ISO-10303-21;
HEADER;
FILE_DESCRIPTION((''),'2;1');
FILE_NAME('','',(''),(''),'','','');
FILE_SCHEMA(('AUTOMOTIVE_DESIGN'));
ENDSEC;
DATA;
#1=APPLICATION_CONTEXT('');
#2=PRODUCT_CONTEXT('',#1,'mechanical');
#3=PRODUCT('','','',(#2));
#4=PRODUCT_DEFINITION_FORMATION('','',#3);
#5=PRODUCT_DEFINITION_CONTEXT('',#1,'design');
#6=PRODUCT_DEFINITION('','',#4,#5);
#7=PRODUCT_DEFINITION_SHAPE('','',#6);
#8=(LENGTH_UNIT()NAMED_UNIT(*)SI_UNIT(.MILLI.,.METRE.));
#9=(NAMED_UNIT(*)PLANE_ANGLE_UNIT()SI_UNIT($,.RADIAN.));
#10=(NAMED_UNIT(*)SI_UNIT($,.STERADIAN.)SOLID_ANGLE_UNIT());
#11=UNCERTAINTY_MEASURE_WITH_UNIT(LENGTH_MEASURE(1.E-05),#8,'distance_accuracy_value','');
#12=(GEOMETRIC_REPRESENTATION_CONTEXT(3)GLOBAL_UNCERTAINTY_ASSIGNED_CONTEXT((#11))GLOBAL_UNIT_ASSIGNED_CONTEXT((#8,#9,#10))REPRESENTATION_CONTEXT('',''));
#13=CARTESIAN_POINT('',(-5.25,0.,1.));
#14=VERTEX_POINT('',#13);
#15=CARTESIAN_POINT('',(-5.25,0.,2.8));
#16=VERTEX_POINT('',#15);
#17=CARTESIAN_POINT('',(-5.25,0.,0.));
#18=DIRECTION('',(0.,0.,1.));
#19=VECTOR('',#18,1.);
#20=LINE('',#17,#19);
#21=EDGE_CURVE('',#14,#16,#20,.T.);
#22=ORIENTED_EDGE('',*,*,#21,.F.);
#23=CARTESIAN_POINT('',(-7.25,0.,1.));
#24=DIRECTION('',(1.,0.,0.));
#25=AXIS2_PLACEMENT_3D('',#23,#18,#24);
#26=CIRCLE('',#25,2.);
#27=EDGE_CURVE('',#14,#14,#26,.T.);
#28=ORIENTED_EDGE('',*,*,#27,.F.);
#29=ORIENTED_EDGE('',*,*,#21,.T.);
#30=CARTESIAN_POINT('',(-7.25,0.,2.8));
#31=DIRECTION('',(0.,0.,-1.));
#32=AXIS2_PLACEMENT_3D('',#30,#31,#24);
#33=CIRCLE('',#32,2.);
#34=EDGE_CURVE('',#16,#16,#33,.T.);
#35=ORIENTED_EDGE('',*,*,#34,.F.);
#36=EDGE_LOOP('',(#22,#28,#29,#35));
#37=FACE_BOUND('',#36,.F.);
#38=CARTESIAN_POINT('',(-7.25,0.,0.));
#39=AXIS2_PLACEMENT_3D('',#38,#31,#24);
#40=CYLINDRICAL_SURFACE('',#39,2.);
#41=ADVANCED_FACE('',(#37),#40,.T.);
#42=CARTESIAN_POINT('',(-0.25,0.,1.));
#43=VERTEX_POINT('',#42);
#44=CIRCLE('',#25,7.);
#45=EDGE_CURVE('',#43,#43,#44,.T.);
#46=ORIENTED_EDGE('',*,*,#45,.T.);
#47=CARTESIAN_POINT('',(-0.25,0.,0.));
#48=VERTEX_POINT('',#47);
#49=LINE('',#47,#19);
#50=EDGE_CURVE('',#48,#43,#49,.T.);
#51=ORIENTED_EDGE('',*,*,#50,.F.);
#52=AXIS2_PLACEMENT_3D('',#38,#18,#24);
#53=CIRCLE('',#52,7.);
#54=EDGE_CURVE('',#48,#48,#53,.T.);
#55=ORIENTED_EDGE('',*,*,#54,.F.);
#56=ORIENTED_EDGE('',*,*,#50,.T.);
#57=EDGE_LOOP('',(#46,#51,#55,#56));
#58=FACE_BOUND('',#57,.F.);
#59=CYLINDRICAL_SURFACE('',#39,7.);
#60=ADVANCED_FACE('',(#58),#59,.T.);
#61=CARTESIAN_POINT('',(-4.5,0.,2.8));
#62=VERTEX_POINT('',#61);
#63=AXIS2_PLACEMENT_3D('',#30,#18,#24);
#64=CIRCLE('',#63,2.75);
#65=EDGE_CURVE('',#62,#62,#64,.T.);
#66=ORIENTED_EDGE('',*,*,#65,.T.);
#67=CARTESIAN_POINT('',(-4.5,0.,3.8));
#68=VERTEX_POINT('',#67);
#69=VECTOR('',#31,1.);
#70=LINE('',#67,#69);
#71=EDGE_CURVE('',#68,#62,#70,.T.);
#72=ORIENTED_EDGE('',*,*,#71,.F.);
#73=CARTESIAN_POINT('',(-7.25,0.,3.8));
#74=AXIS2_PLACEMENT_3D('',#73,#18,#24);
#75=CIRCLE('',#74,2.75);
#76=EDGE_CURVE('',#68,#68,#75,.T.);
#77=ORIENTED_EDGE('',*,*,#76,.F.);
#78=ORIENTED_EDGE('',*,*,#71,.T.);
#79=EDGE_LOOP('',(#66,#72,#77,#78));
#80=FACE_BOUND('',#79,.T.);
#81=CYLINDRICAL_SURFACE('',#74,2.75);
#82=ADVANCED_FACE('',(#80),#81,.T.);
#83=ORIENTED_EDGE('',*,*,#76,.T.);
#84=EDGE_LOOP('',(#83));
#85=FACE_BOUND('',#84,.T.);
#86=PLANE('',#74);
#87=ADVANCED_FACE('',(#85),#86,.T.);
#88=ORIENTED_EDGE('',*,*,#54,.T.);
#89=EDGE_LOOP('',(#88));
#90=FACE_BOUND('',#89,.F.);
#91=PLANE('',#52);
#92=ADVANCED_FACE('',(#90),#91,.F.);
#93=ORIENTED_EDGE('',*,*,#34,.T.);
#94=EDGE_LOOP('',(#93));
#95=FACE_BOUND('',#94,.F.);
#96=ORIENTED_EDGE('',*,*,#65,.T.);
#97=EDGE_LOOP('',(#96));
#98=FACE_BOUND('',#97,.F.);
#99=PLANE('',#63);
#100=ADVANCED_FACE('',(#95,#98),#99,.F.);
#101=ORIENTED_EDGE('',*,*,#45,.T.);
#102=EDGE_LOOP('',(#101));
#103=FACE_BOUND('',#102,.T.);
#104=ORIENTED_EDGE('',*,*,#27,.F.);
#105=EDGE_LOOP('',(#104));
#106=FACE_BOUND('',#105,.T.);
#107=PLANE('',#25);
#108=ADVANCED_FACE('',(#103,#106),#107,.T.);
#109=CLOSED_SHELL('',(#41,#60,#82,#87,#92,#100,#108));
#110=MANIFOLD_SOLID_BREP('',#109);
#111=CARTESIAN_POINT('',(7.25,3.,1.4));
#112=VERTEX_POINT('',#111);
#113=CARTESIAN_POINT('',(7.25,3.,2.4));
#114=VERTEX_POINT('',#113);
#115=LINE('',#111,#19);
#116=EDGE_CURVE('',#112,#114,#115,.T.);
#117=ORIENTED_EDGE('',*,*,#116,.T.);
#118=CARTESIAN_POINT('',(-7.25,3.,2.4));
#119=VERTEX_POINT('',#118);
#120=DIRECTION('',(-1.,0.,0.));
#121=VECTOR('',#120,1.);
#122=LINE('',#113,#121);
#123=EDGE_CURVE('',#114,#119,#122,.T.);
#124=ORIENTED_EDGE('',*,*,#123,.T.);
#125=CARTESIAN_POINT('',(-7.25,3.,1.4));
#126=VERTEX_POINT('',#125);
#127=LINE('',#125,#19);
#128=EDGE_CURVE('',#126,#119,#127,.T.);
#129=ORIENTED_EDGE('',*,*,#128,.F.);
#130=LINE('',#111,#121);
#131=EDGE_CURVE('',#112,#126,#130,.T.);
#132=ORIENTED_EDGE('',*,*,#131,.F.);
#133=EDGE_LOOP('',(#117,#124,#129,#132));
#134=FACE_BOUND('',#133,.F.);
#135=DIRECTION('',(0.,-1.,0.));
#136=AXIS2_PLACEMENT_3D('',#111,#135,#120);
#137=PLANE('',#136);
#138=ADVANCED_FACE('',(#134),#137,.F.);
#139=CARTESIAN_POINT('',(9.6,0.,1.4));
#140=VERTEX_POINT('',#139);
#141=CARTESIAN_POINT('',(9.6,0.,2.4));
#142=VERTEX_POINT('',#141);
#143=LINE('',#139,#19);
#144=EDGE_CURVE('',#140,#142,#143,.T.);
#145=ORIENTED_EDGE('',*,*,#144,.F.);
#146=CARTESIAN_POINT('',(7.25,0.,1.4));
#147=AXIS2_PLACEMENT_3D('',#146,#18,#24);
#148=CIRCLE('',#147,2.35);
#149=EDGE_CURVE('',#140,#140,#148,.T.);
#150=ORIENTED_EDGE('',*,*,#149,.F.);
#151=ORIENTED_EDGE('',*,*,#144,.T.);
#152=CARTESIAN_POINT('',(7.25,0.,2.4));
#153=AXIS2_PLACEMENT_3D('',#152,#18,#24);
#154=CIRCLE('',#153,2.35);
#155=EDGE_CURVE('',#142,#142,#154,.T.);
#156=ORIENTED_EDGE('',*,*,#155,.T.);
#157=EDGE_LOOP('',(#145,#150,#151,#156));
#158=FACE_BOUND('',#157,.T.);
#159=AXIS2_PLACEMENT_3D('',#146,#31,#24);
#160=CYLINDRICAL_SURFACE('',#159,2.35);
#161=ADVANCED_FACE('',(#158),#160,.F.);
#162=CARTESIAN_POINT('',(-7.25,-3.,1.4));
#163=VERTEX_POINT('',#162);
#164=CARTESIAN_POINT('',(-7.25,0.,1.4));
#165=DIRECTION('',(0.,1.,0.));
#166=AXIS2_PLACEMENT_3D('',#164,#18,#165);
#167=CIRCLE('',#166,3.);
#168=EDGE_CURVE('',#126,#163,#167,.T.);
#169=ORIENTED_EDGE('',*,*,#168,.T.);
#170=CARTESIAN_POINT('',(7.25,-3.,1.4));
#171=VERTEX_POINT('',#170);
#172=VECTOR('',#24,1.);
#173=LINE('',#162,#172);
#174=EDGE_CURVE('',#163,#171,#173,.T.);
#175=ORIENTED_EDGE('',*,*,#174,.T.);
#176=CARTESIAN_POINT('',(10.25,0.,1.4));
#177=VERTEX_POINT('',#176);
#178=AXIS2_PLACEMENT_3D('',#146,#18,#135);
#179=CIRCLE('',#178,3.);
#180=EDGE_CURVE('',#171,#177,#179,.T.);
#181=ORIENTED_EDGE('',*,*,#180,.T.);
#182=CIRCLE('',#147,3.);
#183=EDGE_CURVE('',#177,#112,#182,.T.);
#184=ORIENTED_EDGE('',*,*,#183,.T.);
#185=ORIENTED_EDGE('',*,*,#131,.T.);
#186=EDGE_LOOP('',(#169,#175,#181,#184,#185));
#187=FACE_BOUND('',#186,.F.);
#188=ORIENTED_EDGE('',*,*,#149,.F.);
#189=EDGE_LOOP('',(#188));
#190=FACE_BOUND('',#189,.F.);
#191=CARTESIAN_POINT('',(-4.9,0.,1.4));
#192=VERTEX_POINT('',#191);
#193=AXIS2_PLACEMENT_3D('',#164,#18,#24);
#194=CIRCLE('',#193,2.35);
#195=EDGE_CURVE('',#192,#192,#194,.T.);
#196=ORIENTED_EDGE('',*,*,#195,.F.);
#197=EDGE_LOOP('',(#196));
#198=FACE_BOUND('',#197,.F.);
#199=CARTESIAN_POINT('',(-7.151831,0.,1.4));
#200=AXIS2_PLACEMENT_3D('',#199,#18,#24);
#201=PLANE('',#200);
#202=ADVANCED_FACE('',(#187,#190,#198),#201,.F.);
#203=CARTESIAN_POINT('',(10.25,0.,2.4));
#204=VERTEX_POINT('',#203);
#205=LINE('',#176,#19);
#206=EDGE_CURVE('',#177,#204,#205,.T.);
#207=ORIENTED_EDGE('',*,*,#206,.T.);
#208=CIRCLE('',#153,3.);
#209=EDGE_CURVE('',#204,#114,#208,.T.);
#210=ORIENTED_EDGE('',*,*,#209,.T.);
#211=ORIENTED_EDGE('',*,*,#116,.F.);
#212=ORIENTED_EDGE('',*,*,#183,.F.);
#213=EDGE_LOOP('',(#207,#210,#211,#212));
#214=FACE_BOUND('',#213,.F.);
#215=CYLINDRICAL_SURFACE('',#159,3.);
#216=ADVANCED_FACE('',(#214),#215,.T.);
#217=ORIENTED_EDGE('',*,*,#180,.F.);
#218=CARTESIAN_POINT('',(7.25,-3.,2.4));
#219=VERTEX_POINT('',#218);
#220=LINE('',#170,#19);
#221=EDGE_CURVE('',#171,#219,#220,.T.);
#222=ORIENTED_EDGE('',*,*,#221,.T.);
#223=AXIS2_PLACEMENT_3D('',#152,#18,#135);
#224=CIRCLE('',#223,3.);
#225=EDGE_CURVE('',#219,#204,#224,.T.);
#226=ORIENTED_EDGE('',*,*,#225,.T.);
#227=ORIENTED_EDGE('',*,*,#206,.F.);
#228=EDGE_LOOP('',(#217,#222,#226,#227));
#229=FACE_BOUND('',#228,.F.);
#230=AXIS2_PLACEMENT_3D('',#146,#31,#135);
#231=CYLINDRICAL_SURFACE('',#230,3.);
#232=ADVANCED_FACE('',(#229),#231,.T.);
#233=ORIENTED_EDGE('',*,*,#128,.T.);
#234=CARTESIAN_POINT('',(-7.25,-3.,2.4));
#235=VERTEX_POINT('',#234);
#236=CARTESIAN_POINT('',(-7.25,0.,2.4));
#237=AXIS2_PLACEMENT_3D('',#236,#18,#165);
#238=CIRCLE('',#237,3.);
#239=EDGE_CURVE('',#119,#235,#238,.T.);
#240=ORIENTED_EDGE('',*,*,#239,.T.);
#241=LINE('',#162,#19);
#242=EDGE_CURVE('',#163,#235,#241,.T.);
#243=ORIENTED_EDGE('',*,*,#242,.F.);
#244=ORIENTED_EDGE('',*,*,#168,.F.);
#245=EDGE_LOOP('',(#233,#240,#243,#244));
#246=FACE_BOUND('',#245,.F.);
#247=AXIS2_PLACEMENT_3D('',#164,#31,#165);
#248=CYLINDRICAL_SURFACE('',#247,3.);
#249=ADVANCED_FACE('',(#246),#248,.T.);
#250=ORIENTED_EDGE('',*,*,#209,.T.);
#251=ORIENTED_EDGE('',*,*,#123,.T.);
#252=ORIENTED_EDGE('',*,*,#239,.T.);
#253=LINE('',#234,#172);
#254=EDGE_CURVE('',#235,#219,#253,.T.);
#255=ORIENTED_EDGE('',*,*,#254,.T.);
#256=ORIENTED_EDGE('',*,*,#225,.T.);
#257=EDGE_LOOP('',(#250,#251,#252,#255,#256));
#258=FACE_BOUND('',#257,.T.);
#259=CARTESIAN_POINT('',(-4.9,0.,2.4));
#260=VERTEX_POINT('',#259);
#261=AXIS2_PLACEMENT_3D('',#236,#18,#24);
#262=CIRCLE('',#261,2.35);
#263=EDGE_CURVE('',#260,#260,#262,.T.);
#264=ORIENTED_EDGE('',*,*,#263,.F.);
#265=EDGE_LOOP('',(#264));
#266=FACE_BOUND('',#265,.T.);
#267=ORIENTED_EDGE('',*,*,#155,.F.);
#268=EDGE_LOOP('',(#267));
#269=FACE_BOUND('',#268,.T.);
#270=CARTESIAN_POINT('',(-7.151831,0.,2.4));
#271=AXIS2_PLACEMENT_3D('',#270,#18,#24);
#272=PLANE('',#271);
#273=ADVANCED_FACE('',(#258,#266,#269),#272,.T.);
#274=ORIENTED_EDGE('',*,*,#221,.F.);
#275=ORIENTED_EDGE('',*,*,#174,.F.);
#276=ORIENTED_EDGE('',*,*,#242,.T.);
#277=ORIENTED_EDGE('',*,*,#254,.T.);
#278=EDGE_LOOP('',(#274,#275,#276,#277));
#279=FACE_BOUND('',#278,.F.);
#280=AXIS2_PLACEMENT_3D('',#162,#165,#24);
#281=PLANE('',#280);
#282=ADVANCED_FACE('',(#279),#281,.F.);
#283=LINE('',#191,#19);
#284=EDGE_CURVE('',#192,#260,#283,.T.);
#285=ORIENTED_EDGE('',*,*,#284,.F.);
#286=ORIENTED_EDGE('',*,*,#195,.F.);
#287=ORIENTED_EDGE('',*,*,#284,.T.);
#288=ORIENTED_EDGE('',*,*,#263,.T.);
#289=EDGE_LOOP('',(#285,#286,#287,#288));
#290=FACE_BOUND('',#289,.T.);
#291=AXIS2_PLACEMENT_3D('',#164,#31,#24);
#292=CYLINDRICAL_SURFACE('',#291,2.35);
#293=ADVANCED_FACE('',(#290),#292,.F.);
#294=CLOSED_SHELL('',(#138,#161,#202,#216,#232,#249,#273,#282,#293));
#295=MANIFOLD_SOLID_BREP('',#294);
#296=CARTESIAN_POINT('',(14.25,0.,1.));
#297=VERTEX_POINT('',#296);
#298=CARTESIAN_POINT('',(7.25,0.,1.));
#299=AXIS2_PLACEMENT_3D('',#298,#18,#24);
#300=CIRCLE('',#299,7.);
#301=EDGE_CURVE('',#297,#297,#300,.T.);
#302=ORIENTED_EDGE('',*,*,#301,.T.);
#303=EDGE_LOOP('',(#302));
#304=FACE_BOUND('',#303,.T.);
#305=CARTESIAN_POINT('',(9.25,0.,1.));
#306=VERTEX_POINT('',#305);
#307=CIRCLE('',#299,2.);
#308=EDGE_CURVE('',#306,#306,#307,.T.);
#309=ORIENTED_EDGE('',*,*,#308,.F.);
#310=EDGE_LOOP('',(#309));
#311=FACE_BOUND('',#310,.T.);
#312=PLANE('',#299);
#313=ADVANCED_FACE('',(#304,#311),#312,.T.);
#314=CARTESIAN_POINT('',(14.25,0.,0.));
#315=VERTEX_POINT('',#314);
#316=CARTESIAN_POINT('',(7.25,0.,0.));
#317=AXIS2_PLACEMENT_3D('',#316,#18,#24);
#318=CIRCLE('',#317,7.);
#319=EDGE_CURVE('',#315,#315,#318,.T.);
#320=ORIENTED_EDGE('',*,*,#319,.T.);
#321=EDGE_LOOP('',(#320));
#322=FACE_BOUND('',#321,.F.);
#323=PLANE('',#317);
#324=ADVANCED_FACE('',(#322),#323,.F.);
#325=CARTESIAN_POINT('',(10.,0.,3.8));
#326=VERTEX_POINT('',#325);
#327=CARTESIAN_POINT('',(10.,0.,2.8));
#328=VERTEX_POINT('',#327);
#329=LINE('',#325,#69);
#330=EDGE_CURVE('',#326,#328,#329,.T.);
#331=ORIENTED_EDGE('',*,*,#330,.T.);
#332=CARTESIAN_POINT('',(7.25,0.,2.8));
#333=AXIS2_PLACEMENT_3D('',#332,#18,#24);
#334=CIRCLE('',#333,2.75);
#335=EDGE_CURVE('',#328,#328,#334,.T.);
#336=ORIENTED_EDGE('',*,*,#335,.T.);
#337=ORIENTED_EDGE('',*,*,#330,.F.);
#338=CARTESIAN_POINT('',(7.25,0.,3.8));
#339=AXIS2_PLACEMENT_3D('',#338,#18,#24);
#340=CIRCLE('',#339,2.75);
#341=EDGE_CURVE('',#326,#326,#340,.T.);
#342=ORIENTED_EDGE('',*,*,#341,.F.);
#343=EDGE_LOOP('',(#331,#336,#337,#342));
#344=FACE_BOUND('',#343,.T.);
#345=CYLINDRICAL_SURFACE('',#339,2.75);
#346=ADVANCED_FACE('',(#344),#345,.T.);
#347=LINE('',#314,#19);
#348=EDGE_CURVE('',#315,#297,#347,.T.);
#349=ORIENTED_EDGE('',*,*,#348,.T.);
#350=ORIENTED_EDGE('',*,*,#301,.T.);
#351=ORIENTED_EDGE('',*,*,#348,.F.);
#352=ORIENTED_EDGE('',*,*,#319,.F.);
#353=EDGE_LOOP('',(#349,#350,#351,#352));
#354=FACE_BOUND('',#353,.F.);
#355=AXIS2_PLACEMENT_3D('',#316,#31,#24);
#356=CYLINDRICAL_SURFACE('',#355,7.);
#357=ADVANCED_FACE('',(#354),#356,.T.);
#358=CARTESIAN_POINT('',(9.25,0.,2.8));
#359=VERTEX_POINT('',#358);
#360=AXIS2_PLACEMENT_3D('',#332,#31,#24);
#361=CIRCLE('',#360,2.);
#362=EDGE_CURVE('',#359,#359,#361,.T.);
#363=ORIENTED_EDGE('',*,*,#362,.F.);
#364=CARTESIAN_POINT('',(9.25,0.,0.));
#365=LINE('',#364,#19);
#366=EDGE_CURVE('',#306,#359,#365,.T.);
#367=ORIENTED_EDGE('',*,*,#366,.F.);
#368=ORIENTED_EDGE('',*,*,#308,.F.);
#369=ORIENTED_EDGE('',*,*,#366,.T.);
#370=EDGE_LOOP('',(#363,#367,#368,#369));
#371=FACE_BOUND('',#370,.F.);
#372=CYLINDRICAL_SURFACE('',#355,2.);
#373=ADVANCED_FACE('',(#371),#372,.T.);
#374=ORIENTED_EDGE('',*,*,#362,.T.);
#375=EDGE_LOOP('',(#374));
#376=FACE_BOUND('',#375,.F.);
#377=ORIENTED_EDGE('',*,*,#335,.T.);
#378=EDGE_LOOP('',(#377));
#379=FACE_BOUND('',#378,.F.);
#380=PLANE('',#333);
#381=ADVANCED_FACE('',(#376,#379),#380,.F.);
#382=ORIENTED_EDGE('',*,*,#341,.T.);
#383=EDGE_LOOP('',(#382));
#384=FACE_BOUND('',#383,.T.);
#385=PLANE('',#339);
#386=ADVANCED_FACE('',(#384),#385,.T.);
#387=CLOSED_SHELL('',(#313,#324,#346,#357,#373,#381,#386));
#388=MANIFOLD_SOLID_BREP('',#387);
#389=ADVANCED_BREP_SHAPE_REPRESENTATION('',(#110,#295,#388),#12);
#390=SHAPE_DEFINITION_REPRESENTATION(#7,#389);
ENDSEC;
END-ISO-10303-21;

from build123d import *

# Parameters (mm, degrees)
F0_R     = 7
F0_R_2   = 2
F1_DEPTH = 1
F2_DEPTH = 3.8
F4_R     = 2.35
F5_DEPTH = 1
F6_R     = 2.75
F7_DEPTH = 1


with BuildPart() as f1:
    # F0 (on Top) → F1 (new body)
    with BuildSketch(Plane.XY):
        with Locations((-7.25, 0)):
            Circle(F0_R)
        with Locations((-7.25, 0)):
            Circle(F0_R_2, mode=Mode.SUBTRACT)
    extrude(amount=F1_DEPTH)

    # F0 (on Top) → F2 (join)
    with BuildSketch(Plane.XY):
        with Locations((-7.25, 0)):
            Circle(F0_R_2)
    extrude(amount=F2_DEPTH)

    # F6 (on face) → F7 (join)
    with BuildSketch(Plane.XY.offset(3.8)):
        with Locations((-7.25, 0)):
            Circle(F6_R)
    extrude(amount=-F7_DEPTH)


with BuildPart() as f1b:
    # F0 (on Top) → F1, piece 2 (new body)
    with BuildSketch(Plane.XY):
        with Locations((7.25, 0)):
            Circle(F0_R)
        with Locations((7.25, 0)):
            Circle(F0_R_2, mode=Mode.SUBTRACT)
    extrude(amount=F1_DEPTH)

    # F0 (on Top) → F2, piece 2 (join)
    with BuildSketch(Plane.XY):
        with Locations((7.25, 0)):
            Circle(F0_R_2)
    extrude(amount=F2_DEPTH)

    # F6 (on face) → F7, piece 2 (join)
    with BuildSketch(Plane.XY.offset(3.8)):
        with Locations((7.25, 0)):
            Circle(F6_R)
    extrude(amount=-F7_DEPTH)


with BuildPart() as f5:
    # F4 (on offset) → F5 (new body)
    with BuildSketch(Plane.XY.offset(1.4)):
        with BuildLine():
            ThreePointArc((-7.25, -3), (-5.1286796564, -2.1213203436), (-4.25, 0))
            ThreePointArc((-4.25, 0), (-5.1286796564, 2.1213203436), (-7.25, 3))
            ThreePointArc((-7.25, 3), (-10.25, 0), (-7.25, -3))
        make_face()
        with Locations((-7.25, 0)):
            Circle(F4_R, mode=Mode.SUBTRACT)
        with BuildLine():
            ThreePointArc((-7.25, 3), (-5.1286796564, 2.1213203436), (-4.25, 0))
            ThreePointArc((-4.25, 0), (-5.1286796564, -2.1213203436), (-7.25, -3))
            Line((-7.25, -3), (7.25, -3))
            ThreePointArc((7.25, -3), (4.25, 0), (7.25, 3))
            Line((7.25, 3), (-7.25, 3))
        make_face()
        with BuildLine():
            ThreePointArc((10.25, 0), (9.3713203436, 2.1213203436), (7.25, 3))
            ThreePointArc((7.25, 3), (4.25, 0), (7.25, -3))
            ThreePointArc((7.25, -3), (9.3713203436, -2.1213203436), (10.25, 0))
        make_face()
        with Locations((7.25, 0)):
            Circle(F4_R, mode=Mode.SUBTRACT)
    extrude(amount=F5_DEPTH)


solid = Compound([f1.part, f1b.part, f5.part])
